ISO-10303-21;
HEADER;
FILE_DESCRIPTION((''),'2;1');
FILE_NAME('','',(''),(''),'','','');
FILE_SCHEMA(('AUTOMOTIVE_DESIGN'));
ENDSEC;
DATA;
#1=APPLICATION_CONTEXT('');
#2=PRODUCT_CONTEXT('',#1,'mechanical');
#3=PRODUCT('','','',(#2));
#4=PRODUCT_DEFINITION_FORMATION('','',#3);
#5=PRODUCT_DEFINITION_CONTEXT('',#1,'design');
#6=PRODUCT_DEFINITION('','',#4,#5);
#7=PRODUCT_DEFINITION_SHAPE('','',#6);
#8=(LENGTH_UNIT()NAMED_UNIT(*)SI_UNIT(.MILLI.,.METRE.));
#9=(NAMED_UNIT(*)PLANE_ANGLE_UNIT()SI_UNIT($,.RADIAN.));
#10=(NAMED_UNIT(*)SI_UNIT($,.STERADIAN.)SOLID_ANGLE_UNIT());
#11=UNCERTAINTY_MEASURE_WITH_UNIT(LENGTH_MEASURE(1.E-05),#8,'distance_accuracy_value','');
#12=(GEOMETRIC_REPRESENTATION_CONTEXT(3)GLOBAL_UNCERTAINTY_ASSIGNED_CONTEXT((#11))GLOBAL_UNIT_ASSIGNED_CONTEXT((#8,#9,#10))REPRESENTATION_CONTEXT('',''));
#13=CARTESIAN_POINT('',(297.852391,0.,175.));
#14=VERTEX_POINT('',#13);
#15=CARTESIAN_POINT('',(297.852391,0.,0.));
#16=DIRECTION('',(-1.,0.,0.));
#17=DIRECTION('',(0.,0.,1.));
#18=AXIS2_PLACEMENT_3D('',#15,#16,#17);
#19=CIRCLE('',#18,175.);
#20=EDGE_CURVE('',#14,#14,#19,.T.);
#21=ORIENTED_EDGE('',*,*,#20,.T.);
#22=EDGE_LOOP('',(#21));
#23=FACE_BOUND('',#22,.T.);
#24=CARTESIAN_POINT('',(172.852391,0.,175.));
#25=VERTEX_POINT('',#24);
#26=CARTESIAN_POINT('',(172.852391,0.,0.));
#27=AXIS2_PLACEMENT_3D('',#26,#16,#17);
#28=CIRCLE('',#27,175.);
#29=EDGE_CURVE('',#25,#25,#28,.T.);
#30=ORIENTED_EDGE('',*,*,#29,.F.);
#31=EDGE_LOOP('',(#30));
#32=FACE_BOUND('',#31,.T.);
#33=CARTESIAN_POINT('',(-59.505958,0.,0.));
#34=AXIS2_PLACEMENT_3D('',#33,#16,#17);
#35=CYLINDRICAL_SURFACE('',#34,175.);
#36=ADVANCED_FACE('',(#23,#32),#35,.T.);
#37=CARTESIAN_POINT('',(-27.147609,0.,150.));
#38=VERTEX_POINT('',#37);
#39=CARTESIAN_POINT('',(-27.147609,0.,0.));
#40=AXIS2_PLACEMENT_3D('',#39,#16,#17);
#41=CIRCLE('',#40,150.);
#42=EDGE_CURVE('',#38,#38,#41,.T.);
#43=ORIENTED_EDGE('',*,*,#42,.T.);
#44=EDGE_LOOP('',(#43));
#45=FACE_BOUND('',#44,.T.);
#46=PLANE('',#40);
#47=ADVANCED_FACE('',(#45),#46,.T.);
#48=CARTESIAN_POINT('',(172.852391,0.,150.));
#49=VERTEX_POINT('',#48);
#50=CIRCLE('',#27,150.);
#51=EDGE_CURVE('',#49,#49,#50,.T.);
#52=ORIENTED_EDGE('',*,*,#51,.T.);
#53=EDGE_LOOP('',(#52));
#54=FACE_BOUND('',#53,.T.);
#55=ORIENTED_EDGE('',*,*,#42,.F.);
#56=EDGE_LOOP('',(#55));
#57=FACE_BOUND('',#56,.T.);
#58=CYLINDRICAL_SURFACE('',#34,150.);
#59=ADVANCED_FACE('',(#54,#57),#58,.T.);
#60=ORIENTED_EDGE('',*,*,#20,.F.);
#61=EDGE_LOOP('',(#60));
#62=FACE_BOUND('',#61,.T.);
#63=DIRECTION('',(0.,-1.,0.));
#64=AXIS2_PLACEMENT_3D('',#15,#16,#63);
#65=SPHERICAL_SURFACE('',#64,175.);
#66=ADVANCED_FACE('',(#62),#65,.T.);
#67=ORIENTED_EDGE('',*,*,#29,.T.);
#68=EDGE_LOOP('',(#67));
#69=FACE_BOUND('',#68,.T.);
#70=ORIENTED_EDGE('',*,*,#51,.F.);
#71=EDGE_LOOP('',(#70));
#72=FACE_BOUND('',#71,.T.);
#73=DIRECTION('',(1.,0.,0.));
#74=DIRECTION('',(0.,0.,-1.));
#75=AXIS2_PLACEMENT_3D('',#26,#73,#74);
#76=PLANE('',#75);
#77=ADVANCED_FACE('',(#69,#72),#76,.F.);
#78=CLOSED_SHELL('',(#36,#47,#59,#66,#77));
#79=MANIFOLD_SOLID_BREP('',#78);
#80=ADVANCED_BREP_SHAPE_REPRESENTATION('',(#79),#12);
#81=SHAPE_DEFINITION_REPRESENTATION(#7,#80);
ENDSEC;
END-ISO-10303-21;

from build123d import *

# Parameters (mm, degrees)
ESQUISSE1_W = 200
ESQUISSE1_H = 150


with BuildPart() as part:
    # Esquisse1 → Révolution1 (revolve)
    with BuildSketch(Plane.XY, mode=Mode.PRIVATE) as r_volution1_sk:
        with Locations((72.852391376, -75)):
            Rectangle(ESQUISSE1_W, ESQUISSE1_H)
        Polygon((297.852391376, -175), (297.852391376, 0), (172.852391376, 0), (172.852391376, -150), (172.852391376, -175), align=None)
        with BuildLine():
            Line((297.852391376, -175), (297.852391376, 0))
            Line((297.852391376, 0), (472.852391376, 0))
            ThreePointArc((472.852391376, 0), (421.596078083, -123.743686708), (297.852391376, -175))
        make_face()
    revolve(r_volution1_sk.sketch.rotate(Axis((-59.505958349, 0, 0), (1, 0, 0)), 270), axis=Axis((-59.505958349, 0, 0), (1, 0, 0)))


solid = part.part
